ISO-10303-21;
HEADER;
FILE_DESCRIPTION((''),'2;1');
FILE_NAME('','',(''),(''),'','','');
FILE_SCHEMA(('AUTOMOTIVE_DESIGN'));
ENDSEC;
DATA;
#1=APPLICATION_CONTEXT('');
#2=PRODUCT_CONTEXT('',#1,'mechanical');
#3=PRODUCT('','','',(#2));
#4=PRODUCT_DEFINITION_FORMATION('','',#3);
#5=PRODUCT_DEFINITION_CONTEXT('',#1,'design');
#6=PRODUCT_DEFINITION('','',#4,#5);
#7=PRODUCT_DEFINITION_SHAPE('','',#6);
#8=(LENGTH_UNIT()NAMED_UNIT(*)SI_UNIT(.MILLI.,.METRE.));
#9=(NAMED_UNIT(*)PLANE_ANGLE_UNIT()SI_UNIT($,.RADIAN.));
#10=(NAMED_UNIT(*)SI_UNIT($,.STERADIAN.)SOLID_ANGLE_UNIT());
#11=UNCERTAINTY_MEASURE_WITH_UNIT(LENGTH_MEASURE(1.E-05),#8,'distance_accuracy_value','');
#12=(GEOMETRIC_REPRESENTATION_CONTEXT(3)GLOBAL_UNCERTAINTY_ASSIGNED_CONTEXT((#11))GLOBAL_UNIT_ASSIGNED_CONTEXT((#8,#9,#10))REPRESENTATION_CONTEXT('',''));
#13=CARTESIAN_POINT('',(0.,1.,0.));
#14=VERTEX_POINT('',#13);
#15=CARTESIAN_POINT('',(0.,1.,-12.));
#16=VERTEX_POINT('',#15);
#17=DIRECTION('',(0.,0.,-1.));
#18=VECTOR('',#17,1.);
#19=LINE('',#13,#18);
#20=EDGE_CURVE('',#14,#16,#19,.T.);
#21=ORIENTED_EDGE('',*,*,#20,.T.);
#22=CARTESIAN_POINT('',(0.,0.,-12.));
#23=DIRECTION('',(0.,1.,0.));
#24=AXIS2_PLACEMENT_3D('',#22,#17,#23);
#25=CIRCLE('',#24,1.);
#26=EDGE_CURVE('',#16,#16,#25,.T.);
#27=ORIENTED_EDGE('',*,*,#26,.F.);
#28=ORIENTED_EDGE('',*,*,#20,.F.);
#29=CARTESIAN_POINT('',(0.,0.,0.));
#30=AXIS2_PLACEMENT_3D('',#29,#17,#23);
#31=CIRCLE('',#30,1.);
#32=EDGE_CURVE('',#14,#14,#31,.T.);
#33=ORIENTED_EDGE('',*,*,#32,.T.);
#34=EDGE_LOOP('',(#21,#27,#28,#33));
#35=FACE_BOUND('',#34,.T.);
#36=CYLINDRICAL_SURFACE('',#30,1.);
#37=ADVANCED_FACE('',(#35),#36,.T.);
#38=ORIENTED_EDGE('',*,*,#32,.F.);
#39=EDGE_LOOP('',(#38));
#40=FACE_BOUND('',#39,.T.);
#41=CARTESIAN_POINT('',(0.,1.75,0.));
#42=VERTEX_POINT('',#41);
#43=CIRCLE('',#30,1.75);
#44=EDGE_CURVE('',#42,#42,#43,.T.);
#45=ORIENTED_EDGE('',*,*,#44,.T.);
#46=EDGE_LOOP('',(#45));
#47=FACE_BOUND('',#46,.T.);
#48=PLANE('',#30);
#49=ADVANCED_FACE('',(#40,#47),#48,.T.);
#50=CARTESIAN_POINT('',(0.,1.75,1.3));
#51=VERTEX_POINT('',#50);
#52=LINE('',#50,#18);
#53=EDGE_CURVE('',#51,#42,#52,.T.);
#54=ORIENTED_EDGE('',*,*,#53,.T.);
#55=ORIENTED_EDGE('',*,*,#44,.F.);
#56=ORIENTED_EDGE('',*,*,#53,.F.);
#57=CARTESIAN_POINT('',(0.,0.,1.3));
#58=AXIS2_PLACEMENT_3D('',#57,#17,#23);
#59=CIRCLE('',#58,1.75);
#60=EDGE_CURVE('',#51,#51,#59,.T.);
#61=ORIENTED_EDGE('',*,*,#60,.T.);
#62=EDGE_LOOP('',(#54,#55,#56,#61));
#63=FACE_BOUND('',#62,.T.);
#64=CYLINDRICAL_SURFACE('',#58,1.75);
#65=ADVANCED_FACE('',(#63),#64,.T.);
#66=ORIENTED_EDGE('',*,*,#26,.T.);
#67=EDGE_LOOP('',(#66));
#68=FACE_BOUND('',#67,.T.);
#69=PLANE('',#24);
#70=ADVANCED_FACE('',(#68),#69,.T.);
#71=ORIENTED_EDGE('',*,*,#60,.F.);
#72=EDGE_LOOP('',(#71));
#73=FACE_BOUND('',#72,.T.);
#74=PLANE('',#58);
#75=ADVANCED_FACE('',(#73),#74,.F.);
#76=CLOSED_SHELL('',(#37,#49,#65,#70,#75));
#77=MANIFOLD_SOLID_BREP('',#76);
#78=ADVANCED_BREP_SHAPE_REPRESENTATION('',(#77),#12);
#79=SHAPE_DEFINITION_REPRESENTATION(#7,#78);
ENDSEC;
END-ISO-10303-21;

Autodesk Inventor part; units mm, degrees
ref_plane "YZ Plane" through (0, 0, 0) normal (1, 0, 0) x (0, 1, 0)
ref_plane "XZ Plane" through (0, 0, 0) normal (0, 1, 0) x (-1, 0, 0)
ref_plane "XY Plane" through (0, 0, 0) normal (0, 0, 1) x (1, 0, 0)
sketch "スケッチ1" plane through (0, 0, 0) normal (1, 0, 0) x (0, 1, 0)
  point P0 (0, 0)
sketch "スケッチ2" plane through (0, 0, 0) normal (1, 0, 0) x (0, 1, 0)
  line L0 (0, 1.3) -> (1.75, 1.3)
  line L1 (1.75, 1.3) -> (1.75, 0)
  line L2 (1.75, 0) -> (1, 0)
  line L3 (1, 0) -> (1, -12)
  line L4 (1, -12) -> (0, -12)
  line L5 (0, 1.3) -> (0, -12)
  point P0 (0, 0)
  dimension "d0" = 1.3
  dimension "d1" = 12
  dimension "d2" = 1
  dimension "d3" = 1.75
revolve "回転1" add sketch "スケッチ2" angle 360 about axis through (0, 0, 1.3) along (0, 0, -1)
properties part number "ScrewM2L12"
